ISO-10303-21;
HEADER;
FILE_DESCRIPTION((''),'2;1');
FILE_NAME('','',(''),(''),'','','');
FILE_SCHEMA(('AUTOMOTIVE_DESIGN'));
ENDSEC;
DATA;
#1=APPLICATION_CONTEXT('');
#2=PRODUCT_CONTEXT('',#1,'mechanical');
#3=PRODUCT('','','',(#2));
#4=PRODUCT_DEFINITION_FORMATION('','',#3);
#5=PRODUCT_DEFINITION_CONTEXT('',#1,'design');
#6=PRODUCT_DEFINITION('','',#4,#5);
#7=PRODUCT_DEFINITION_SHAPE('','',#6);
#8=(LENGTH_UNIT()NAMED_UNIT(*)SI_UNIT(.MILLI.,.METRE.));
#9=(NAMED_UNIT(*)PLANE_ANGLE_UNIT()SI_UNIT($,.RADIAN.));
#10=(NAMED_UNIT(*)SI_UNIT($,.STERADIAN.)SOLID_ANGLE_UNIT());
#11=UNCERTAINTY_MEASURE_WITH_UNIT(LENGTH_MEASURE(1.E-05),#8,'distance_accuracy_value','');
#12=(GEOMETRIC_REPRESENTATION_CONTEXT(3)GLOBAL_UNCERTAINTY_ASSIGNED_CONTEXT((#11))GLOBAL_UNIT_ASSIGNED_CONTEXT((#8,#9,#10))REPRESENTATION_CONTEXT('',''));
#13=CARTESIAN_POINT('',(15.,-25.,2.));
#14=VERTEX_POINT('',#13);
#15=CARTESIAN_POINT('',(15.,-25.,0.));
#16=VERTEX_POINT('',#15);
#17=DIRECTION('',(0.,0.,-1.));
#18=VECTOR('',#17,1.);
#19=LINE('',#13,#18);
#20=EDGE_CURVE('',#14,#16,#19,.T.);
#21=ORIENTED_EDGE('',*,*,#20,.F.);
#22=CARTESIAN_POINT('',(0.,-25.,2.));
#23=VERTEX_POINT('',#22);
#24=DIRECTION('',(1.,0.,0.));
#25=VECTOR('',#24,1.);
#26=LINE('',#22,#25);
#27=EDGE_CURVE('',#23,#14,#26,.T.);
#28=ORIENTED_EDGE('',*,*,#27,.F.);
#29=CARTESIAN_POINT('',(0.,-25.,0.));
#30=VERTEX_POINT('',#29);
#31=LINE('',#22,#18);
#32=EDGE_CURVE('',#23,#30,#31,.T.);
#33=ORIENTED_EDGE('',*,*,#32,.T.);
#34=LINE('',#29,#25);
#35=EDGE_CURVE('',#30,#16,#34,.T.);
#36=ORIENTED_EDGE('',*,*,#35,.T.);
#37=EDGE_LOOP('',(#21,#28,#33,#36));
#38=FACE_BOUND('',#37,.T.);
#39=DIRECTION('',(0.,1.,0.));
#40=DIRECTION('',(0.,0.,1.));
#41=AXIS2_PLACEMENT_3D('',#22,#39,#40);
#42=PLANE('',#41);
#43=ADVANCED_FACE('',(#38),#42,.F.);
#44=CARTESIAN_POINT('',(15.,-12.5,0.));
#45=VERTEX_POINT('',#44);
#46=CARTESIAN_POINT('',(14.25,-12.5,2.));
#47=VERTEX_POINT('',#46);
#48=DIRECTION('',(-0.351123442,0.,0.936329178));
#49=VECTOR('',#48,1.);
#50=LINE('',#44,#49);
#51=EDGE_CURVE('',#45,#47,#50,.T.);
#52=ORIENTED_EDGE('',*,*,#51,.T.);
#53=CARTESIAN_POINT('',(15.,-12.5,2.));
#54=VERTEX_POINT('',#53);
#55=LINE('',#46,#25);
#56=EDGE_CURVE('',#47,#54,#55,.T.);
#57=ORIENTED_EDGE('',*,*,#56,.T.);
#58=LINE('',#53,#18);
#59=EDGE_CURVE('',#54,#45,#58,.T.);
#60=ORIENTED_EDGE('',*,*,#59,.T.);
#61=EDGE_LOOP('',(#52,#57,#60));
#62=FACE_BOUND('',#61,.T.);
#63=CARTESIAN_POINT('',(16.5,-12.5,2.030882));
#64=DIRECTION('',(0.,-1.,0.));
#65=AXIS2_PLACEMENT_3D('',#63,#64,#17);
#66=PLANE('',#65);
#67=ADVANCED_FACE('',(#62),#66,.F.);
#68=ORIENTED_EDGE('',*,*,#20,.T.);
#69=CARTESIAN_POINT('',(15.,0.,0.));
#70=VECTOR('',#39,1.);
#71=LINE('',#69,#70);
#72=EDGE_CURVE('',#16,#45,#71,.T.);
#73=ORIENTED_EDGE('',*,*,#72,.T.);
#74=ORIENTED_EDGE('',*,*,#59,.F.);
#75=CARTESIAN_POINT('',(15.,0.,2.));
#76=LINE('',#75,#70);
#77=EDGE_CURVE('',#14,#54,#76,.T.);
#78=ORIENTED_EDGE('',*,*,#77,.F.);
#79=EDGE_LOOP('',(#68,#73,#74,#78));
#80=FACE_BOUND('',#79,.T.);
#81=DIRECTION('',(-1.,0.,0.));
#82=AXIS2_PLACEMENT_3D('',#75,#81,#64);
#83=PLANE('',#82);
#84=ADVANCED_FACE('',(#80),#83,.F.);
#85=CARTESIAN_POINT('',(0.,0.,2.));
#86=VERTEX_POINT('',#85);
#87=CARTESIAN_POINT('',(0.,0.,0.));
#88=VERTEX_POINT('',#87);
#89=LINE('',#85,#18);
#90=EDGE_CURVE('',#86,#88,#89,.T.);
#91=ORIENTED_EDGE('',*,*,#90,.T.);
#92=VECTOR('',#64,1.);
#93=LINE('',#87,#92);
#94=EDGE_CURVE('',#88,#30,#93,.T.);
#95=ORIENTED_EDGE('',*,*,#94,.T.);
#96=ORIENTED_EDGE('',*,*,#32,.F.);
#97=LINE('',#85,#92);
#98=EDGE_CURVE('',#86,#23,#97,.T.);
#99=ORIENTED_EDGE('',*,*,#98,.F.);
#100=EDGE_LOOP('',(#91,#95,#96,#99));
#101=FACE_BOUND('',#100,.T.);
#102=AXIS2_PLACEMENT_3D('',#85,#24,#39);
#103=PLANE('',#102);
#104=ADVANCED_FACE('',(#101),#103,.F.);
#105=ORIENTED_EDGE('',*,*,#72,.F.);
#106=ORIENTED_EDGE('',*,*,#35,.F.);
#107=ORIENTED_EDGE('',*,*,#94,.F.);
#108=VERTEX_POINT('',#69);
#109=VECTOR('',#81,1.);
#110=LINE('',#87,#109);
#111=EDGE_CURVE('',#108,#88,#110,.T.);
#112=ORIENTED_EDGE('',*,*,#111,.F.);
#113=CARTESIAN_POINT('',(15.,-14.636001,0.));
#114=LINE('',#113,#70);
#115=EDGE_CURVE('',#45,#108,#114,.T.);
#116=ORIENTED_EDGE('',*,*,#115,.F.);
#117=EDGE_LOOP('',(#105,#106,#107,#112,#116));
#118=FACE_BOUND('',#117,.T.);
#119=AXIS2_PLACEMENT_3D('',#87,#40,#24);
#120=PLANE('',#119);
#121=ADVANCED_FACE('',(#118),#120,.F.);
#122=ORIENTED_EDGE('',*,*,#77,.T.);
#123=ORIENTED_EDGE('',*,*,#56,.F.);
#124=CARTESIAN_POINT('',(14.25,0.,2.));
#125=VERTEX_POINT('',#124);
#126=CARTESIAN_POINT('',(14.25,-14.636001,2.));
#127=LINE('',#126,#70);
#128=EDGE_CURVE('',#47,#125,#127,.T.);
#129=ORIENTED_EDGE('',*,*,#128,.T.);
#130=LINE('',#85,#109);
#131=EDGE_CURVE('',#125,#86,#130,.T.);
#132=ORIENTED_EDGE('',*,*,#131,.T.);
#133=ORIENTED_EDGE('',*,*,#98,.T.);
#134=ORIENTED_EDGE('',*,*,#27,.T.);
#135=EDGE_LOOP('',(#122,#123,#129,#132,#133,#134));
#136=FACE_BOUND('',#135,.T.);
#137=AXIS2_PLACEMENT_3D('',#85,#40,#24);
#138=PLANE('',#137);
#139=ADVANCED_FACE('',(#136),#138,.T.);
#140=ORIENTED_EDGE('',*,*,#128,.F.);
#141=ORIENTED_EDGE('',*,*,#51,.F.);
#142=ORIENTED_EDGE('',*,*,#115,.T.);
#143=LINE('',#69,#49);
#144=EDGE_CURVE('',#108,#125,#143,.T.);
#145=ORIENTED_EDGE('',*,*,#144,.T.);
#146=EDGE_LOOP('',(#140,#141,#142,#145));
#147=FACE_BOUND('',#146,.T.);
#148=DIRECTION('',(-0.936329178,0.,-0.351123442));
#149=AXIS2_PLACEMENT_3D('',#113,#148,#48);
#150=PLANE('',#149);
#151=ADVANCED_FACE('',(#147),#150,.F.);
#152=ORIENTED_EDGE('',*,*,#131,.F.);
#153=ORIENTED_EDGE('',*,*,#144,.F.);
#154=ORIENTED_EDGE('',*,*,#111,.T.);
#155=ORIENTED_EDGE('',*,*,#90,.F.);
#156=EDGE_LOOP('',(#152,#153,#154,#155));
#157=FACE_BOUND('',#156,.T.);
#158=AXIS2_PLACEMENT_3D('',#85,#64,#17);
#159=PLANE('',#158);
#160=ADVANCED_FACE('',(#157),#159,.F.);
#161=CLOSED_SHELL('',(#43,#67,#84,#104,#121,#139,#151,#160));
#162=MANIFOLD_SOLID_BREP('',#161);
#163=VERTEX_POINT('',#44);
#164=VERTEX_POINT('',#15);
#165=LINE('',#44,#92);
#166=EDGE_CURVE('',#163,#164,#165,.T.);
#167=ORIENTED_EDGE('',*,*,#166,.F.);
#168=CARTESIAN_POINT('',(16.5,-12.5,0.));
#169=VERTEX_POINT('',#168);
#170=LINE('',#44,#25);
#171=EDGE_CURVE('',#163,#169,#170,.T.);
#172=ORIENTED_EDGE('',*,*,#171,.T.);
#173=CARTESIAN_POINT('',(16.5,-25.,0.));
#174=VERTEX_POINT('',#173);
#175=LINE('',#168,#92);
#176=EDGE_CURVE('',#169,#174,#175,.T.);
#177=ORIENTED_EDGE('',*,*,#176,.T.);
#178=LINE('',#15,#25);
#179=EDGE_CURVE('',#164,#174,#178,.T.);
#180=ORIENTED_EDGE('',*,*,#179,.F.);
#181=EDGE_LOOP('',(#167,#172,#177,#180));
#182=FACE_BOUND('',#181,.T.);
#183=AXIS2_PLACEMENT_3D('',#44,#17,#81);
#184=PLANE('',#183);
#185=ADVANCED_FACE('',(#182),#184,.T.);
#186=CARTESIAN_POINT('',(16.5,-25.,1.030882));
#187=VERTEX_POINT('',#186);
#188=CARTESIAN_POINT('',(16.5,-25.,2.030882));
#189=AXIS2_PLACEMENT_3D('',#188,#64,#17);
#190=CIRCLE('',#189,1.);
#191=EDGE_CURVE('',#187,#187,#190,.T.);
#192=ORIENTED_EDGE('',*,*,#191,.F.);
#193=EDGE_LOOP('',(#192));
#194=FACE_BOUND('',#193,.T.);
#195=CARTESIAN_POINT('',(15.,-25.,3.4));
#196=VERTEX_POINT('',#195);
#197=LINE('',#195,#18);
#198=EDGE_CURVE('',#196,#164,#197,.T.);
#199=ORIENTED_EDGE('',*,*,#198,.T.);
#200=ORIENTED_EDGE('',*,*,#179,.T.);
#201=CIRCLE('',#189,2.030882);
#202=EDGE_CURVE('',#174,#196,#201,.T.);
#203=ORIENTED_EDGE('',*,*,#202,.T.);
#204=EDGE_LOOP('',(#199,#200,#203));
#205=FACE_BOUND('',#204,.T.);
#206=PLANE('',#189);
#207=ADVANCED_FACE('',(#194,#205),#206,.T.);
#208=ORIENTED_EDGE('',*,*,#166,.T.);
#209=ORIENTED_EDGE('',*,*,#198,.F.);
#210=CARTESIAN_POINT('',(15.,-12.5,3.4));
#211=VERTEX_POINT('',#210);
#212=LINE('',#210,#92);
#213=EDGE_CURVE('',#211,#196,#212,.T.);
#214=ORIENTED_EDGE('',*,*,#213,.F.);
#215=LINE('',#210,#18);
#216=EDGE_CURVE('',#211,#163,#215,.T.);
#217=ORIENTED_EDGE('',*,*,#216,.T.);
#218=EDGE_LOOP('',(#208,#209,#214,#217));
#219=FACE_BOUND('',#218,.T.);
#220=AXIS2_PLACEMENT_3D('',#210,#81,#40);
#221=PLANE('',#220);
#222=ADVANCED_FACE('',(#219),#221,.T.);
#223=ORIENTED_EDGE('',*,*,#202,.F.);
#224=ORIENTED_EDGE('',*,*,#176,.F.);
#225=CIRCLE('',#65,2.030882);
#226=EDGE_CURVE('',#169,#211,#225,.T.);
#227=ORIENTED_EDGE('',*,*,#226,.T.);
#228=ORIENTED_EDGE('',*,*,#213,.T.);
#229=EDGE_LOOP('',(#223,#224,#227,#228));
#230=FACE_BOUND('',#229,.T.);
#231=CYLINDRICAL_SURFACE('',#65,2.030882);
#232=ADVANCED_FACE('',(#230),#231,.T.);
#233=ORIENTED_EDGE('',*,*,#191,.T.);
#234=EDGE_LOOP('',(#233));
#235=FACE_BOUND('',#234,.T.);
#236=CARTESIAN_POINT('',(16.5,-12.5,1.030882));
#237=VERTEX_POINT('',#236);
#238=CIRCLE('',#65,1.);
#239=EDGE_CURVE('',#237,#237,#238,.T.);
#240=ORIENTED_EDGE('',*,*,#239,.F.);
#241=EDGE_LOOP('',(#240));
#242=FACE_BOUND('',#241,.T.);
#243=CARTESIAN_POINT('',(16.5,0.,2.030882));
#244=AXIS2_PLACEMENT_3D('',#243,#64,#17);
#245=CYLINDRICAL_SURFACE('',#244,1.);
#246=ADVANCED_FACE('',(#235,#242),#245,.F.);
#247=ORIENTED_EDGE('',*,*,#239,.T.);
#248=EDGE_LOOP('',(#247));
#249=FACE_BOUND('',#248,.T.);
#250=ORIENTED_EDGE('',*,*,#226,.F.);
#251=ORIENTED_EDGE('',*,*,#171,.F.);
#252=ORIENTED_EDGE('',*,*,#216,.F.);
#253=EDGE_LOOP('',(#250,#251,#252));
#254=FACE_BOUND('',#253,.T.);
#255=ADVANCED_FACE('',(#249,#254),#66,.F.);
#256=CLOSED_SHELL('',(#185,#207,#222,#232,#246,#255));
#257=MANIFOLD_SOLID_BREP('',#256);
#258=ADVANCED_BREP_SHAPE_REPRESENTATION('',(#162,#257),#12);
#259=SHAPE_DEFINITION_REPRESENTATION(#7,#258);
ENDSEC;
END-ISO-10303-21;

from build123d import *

# Parameters (mm, degrees)
SKETCH1_W           = 15
SKETCH1_H           = 25
BOSS_EXTRUDE1_DEPTH = 2
BOSS_EXTRUDE3_DEPTH = 12.5
SKETCH5_R           = 1
CUT_EXTRUDE2_DEPTH  = 32.382981587
CUT_EXTRUDE4_DEPTH  = 12.5


with BuildPart() as part:
    # Sketch1 → Boss-Extrude1 (new body)
    with BuildSketch(Plane.XY):
        with Locations((7.5, -12.5)):
            Rectangle(SKETCH1_W, SKETCH1_H)
    extrude(amount=BOSS_EXTRUDE1_DEPTH)

    # Sketch7 → Cut-Extrude4 (cut)
    with BuildSketch(Plane(origin=(0, 0, 0), x_dir=(1, 0, 0), z_dir=(0, 1, 0))):
        Polygon((15, 0), (14.25, -2), (15, -2), align=None)
    extrude(amount=-CUT_EXTRUDE4_DEPTH, mode=Mode.SUBTRACT)


with BuildPart() as body_2:
    # Sketch4 → Boss-Extrude3 (new body)
    with BuildSketch(Plane.XZ.offset(25)):
        with BuildLine():
            Line((15, 0), (16.5, 0))
            ThreePointArc((16.5, 0), (18.358090418, 2.850628125), (15, 3.4))
            Line((15, 3.4), (15, 0))
        make_face()
    extrude(amount=-BOSS_EXTRUDE3_DEPTH)

    # Sketch5 → Cut-Extrude2 (cut, through all)
    with BuildSketch(Plane.XZ.offset(25)):
        with Locations(Location((16.5, 2.030882353, 0), (0, 0, 270))):
            Circle(SKETCH5_R)
    extrude(amount=-CUT_EXTRUDE2_DEPTH, mode=Mode.SUBTRACT)


solid = Compound([part.part, body_2.part])
